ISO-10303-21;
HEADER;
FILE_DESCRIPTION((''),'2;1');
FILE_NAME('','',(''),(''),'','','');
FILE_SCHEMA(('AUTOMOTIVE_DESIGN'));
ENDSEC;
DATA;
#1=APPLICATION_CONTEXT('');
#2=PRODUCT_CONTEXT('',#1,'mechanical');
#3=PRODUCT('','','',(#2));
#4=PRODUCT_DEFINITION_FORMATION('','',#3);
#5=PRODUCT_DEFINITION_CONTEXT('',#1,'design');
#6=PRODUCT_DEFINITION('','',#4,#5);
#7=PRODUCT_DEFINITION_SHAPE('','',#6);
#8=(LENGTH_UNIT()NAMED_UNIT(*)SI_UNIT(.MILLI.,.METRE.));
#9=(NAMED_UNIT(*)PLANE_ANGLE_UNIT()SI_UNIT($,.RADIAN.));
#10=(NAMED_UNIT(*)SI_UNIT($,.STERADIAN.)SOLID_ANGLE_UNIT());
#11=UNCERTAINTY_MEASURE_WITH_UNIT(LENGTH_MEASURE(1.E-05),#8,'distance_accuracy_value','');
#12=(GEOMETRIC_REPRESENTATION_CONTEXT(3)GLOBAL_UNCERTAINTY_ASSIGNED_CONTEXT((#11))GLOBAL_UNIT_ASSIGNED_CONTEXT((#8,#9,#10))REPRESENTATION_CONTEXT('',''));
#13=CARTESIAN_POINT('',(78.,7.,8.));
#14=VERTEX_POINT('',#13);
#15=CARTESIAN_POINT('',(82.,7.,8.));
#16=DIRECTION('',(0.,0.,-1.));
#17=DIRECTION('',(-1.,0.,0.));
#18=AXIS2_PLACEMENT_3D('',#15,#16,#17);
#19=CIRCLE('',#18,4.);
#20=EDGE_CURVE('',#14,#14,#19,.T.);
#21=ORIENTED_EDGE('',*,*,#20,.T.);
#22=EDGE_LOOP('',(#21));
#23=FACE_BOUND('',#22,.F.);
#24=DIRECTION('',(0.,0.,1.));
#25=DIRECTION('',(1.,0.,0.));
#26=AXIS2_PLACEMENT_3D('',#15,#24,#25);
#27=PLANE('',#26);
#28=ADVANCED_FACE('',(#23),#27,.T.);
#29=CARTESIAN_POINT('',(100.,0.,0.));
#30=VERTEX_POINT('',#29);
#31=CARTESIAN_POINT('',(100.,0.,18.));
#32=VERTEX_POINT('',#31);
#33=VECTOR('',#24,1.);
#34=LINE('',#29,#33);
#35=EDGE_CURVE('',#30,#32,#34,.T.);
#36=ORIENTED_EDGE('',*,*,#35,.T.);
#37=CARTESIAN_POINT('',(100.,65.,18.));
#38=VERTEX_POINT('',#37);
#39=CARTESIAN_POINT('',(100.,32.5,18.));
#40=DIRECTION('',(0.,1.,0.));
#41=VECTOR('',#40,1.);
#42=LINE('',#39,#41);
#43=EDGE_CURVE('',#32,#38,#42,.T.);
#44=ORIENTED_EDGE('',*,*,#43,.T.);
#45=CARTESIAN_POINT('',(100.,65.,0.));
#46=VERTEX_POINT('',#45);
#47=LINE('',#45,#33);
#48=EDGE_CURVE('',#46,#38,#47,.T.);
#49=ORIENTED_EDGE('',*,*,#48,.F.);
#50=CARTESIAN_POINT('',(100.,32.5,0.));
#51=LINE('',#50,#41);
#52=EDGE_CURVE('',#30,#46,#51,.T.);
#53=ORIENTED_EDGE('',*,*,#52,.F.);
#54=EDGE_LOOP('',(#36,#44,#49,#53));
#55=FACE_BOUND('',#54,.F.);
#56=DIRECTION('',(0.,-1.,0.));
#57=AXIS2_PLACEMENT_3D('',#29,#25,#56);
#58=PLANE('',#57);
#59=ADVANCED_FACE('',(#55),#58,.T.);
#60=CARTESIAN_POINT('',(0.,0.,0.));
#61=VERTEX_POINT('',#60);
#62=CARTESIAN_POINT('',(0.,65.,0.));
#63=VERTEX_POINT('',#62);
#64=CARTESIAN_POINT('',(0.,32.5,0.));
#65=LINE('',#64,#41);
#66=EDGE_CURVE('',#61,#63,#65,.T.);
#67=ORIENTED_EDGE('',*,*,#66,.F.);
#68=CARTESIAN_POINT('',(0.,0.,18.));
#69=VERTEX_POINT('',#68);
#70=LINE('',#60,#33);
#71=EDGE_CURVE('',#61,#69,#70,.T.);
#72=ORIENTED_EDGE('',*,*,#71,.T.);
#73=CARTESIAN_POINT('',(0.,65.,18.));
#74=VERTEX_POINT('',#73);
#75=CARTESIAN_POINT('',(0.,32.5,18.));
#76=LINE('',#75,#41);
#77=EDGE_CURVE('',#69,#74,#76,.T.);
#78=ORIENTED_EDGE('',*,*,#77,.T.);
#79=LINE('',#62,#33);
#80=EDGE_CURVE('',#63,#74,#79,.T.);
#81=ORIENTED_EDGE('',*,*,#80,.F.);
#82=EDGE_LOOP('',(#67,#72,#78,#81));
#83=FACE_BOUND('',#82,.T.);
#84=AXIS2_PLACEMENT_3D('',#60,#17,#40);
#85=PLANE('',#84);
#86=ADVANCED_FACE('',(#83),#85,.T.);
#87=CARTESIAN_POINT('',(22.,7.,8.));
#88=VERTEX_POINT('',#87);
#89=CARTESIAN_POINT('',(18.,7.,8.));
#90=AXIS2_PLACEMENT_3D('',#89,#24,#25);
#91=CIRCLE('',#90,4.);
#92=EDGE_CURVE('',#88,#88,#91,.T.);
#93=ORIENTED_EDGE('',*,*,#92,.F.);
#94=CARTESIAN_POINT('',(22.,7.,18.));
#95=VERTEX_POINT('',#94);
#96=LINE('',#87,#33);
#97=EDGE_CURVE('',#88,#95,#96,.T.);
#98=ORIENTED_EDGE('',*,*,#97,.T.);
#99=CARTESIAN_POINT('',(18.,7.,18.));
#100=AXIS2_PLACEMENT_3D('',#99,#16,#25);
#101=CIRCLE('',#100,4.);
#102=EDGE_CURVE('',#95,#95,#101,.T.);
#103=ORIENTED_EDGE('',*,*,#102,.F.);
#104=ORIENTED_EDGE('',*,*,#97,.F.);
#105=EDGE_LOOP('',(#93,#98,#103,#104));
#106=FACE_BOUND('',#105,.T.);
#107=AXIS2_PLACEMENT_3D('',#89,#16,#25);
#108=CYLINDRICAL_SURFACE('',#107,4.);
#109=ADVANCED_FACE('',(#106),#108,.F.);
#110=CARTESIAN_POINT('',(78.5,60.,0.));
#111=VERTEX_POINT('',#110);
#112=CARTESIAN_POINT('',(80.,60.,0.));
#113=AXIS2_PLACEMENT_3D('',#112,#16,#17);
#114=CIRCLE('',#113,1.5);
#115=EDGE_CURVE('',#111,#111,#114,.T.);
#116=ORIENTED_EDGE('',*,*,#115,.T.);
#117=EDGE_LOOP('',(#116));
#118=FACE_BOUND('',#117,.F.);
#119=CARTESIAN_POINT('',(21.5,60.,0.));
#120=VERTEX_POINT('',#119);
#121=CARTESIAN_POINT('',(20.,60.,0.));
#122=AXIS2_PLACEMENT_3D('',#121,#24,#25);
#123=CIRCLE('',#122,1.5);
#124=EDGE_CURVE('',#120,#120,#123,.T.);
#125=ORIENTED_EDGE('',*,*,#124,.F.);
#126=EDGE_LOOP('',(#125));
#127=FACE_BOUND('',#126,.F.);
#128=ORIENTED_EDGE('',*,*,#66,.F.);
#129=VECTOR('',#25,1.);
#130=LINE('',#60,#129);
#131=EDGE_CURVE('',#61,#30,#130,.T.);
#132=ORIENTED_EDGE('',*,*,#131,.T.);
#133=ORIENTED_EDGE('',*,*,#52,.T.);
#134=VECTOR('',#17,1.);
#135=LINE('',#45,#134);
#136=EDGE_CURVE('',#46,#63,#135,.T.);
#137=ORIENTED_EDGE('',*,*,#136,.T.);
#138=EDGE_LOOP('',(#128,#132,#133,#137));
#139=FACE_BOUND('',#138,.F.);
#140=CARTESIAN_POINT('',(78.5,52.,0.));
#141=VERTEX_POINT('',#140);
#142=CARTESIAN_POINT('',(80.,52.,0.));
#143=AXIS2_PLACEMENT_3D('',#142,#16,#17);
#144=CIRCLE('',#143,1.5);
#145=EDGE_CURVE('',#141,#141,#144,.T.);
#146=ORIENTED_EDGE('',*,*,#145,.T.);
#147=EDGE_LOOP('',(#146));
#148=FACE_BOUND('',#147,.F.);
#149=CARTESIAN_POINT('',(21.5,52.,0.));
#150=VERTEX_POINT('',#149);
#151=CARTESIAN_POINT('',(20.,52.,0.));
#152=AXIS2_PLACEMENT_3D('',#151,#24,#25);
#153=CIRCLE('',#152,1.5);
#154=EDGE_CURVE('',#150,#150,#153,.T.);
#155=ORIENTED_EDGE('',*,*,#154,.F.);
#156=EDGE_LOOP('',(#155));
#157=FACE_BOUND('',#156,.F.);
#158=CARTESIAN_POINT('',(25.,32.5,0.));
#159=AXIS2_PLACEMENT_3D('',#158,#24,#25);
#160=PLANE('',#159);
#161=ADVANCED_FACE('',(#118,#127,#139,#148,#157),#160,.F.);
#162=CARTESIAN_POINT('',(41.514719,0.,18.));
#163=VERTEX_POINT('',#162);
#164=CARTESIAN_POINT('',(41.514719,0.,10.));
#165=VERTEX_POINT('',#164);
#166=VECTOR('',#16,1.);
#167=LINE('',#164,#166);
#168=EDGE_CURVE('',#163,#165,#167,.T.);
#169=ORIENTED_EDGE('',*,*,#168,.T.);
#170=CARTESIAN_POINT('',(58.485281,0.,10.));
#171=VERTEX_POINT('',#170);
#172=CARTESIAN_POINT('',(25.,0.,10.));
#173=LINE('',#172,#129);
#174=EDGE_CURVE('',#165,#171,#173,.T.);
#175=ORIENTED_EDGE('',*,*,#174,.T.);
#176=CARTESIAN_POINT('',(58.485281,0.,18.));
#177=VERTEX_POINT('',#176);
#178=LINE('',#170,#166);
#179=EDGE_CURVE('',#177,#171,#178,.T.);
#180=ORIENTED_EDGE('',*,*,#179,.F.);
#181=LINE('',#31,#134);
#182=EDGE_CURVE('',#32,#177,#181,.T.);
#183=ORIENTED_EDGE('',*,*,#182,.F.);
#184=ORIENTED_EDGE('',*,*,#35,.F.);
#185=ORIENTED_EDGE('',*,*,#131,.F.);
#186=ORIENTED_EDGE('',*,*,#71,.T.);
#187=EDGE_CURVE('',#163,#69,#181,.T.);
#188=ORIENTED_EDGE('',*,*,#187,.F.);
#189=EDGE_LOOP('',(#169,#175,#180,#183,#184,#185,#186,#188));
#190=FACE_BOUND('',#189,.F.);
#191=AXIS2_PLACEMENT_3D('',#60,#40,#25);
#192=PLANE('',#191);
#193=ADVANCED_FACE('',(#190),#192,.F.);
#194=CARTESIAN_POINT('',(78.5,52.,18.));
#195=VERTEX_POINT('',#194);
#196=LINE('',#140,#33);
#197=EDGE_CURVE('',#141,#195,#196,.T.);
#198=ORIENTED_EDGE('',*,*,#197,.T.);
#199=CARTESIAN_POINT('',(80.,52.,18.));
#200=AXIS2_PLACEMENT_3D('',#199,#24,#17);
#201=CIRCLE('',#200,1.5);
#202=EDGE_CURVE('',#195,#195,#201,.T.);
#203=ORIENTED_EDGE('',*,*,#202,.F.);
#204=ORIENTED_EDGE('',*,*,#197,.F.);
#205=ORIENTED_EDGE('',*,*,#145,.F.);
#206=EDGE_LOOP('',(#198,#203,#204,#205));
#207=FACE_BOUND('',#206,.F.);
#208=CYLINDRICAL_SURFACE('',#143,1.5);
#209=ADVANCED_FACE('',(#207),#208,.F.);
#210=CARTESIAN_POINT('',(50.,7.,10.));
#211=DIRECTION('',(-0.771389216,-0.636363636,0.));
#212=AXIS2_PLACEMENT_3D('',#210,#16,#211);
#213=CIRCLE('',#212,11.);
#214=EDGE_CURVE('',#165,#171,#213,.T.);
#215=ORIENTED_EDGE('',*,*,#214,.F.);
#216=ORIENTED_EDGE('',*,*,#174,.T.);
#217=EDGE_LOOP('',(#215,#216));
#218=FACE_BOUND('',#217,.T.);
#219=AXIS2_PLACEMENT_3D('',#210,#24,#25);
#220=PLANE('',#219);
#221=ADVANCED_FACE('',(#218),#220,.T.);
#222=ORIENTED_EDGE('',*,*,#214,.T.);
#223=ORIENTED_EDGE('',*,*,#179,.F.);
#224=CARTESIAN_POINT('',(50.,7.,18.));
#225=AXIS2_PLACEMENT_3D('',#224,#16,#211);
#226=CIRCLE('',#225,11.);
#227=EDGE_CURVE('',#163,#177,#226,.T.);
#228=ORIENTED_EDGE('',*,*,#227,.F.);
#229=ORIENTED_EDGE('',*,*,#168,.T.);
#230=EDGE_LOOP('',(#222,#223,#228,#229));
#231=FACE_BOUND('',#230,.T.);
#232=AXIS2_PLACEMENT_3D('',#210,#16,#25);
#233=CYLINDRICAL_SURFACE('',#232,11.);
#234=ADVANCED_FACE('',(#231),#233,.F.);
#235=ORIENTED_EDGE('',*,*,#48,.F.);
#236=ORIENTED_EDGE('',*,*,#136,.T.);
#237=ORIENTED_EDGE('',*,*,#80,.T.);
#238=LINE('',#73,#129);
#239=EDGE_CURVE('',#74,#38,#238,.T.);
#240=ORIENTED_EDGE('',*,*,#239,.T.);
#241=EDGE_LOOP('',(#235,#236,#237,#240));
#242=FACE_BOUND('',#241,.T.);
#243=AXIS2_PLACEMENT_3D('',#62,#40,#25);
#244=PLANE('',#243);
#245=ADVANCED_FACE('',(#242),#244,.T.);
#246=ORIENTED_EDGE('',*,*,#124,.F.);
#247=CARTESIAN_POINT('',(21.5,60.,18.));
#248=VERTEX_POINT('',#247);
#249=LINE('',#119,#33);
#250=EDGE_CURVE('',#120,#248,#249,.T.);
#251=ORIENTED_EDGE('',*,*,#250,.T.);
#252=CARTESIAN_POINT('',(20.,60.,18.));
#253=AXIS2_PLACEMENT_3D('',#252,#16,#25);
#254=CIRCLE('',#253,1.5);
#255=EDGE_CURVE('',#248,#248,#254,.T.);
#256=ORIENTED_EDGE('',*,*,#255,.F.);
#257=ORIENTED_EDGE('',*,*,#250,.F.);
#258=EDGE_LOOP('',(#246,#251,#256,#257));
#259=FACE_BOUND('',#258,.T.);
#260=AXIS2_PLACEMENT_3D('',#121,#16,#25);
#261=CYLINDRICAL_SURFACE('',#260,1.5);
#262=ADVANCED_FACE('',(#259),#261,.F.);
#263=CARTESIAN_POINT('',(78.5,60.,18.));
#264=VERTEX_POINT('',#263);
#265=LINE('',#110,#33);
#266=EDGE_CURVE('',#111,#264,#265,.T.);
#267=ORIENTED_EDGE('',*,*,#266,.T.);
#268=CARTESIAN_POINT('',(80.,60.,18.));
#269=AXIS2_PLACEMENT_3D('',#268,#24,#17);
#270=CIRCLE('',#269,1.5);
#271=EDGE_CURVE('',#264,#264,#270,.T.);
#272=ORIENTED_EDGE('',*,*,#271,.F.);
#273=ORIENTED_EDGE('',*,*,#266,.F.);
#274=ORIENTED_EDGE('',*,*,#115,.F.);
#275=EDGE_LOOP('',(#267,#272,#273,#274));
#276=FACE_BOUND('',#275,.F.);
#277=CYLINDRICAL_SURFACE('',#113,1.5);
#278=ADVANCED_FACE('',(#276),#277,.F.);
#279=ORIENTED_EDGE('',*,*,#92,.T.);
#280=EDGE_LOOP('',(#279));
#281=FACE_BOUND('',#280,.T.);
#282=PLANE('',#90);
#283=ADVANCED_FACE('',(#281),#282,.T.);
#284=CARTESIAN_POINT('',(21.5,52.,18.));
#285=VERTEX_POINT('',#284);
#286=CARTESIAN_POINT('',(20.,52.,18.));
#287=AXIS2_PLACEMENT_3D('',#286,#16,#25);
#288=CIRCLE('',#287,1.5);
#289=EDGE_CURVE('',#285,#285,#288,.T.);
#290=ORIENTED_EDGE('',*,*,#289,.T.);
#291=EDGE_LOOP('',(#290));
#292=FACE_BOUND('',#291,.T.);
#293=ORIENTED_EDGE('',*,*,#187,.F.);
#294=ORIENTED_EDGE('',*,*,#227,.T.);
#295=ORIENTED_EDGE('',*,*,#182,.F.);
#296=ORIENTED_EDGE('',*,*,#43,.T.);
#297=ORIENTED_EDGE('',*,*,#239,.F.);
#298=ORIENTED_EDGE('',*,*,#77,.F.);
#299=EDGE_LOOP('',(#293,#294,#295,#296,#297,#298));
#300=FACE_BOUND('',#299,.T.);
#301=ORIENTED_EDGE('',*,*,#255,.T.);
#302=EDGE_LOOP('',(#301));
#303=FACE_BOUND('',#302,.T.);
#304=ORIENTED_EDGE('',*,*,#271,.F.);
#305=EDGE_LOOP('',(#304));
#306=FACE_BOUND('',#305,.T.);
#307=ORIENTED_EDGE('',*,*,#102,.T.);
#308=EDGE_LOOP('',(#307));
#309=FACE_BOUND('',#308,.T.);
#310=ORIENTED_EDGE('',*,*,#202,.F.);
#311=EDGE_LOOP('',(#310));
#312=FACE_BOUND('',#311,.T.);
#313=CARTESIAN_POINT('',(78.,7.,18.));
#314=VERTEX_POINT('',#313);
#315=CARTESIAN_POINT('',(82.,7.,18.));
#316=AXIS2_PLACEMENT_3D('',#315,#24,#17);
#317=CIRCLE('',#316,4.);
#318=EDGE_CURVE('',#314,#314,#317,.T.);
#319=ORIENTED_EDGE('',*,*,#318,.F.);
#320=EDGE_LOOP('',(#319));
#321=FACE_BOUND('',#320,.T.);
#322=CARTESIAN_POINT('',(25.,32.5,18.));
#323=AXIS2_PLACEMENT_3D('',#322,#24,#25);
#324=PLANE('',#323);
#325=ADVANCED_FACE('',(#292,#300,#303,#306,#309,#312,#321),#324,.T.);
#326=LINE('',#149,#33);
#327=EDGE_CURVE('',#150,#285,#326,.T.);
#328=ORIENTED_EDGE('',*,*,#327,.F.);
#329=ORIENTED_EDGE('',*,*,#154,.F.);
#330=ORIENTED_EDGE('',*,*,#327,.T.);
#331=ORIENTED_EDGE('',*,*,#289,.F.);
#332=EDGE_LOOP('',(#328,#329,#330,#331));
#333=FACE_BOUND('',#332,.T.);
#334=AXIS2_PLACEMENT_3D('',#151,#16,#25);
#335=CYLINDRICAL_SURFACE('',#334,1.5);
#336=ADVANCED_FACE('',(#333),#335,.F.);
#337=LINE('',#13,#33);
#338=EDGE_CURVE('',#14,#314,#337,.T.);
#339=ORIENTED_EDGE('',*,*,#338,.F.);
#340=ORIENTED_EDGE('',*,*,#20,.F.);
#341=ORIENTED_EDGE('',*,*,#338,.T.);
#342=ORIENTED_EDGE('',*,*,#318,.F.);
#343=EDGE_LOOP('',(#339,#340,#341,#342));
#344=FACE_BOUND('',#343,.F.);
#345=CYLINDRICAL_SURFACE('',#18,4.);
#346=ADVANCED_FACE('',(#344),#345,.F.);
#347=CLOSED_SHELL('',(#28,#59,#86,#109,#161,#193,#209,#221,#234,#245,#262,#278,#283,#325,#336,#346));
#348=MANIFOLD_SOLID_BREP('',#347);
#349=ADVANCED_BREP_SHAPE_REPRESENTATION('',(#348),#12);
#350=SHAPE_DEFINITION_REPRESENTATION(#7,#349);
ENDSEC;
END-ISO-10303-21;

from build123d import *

# Parameters (mm, degrees)
CYLINDER003_R     = 11
CYLINDER003_DEPTH = 15
CYLINDER001_R     = 1.5
CYLINDER001_DEPTH = 25
CYLINDER_R        = 4
CYLINDER_DEPTH    = 25
CYLINDER002_R     = 1.5
CYLINDER002_DEPTH = 25
BOX_W             = 50
BOX_H             = 65
BOX_DEPTH         = 18


with BuildPart() as cilindro003:
    # Cylinder003 → Cylinder003 (new body)
    with BuildSketch(Plane(origin=(50, 7, 10), x_dir=(1, 0, 0), z_dir=(0, 0, 1))):
        Circle(CYLINDER003_R)
    extrude(amount=CYLINDER003_DEPTH)


with BuildPart() as cilindro001:
    # Cylinder001 → Cylinder001 (new body)
    with BuildSketch(Plane(origin=(20, 52, 0), x_dir=(1, 0, 0), z_dir=(0, 0, 1))):
        Circle(CYLINDER001_R)
    extrude(amount=CYLINDER001_DEPTH)


with BuildPart() as cilindro:
    # Cylinder → Cylinder (new body)
    with BuildSketch(Plane(origin=(18, 7, 8), x_dir=(1, 0, 0), z_dir=(0, 0, 1))):
        Circle(CYLINDER_R)
    extrude(amount=CYLINDER_DEPTH)


with BuildPart() as fusion:
    # Cylinder002 → Cylinder002 (new body)
    with BuildSketch(Plane(origin=(20, 60, 0), x_dir=(1, 0, 0), z_dir=(0, 0, 1))):
        Circle(CYLINDER002_R)
    extrude(amount=CYLINDER002_DEPTH)

    # Fusion: union Cilindro001, Cilindro
    add(cilindro001.part)
    add(cilindro.part)


with BuildPart() as izquierda:
    # Box → Box (new body)
    with BuildSketch(Plane.XY):
        with Locations((25, 32.5)):
            Rectangle(BOX_W, BOX_H)
    extrude(amount=BOX_DEPTH)

    # Cut: cut Fusion
    add(fusion.part, mode=Mode.SUBTRACT)


with BuildPart() as z_abajo:
    # mirror: instance of Izquierda
    add(izquierda.part.mirror(Plane(origin=(50, 0, 0), x_dir=(0, -1, 0), z_dir=(1, 0, 0))))

    # Fusion001: union Izquierda
    add(izquierda.part)

    # Cut001: cut Cilindro003
    add(cilindro003.part, mode=Mode.SUBTRACT)


solid = z_abajo.part
